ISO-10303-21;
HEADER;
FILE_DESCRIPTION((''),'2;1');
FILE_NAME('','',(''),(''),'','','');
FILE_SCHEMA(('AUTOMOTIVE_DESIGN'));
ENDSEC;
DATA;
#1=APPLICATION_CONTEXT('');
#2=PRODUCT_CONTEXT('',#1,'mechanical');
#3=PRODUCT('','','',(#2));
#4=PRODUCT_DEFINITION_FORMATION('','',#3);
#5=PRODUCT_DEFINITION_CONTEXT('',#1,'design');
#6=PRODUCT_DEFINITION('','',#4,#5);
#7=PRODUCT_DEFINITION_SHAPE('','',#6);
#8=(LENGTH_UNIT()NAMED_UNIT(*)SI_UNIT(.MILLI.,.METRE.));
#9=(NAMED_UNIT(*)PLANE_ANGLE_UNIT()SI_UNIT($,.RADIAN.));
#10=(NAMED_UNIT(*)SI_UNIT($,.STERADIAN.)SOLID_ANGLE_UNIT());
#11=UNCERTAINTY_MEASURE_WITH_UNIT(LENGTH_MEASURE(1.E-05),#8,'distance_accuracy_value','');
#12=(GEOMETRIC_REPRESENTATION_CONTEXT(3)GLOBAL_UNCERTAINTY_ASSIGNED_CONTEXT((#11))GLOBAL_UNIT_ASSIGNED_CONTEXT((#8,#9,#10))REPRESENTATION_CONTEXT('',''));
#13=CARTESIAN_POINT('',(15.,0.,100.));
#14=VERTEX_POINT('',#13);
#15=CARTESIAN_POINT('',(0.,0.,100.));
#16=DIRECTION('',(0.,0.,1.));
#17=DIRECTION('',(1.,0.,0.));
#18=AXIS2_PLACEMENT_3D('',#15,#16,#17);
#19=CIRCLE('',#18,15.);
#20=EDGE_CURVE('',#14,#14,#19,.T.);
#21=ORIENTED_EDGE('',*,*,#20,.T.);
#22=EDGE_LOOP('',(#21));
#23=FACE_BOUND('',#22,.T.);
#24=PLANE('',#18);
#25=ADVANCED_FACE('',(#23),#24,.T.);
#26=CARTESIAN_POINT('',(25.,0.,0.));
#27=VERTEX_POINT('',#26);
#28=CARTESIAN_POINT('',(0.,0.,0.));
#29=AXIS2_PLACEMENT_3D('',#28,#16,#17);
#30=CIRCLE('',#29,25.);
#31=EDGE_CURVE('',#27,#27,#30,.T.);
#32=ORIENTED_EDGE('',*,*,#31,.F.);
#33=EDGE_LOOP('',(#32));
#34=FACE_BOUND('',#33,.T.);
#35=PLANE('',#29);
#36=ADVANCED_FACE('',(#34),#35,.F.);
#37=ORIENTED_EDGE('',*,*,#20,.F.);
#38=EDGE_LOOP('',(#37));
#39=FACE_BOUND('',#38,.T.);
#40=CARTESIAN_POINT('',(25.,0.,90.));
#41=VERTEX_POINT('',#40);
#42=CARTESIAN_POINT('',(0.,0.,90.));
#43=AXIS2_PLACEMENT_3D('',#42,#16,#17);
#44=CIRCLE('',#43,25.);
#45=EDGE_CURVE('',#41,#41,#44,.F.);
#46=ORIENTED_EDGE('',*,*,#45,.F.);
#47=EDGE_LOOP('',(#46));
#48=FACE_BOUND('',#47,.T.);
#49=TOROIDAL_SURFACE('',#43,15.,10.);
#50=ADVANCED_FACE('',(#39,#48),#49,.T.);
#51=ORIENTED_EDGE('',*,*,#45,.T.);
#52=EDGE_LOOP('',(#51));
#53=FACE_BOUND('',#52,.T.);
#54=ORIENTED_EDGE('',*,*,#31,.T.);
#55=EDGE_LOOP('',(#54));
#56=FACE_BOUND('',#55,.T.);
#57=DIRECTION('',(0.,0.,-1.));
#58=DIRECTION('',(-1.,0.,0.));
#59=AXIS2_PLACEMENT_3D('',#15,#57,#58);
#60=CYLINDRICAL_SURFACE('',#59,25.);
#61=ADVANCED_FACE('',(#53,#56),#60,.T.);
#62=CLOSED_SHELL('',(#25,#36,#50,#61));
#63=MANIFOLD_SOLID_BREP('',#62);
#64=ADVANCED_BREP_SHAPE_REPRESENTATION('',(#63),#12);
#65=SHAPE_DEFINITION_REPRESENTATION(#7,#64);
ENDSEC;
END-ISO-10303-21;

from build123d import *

# Parameters (mm, degrees)
SKETCH_1_R      = 25
EXTRUDE_1_DEPTH = 100
FILLET_1_R      = 10


with BuildPart() as part:
    # Эскиз1 → Бобышка-Вытянуть1 (new body)
    with BuildSketch(Plane.XY):
        Circle(SKETCH_1_R)
    extrude(amount=EXTRUDE_1_DEPTH)

    # Скругление1
    fillet_1_edges = [part.edges().sort_by_distance(p)[0] for p in [
        (-25, 0, 100),
    ]]
    fillet(fillet_1_edges, radius=FILLET_1_R)


solid = part.part
